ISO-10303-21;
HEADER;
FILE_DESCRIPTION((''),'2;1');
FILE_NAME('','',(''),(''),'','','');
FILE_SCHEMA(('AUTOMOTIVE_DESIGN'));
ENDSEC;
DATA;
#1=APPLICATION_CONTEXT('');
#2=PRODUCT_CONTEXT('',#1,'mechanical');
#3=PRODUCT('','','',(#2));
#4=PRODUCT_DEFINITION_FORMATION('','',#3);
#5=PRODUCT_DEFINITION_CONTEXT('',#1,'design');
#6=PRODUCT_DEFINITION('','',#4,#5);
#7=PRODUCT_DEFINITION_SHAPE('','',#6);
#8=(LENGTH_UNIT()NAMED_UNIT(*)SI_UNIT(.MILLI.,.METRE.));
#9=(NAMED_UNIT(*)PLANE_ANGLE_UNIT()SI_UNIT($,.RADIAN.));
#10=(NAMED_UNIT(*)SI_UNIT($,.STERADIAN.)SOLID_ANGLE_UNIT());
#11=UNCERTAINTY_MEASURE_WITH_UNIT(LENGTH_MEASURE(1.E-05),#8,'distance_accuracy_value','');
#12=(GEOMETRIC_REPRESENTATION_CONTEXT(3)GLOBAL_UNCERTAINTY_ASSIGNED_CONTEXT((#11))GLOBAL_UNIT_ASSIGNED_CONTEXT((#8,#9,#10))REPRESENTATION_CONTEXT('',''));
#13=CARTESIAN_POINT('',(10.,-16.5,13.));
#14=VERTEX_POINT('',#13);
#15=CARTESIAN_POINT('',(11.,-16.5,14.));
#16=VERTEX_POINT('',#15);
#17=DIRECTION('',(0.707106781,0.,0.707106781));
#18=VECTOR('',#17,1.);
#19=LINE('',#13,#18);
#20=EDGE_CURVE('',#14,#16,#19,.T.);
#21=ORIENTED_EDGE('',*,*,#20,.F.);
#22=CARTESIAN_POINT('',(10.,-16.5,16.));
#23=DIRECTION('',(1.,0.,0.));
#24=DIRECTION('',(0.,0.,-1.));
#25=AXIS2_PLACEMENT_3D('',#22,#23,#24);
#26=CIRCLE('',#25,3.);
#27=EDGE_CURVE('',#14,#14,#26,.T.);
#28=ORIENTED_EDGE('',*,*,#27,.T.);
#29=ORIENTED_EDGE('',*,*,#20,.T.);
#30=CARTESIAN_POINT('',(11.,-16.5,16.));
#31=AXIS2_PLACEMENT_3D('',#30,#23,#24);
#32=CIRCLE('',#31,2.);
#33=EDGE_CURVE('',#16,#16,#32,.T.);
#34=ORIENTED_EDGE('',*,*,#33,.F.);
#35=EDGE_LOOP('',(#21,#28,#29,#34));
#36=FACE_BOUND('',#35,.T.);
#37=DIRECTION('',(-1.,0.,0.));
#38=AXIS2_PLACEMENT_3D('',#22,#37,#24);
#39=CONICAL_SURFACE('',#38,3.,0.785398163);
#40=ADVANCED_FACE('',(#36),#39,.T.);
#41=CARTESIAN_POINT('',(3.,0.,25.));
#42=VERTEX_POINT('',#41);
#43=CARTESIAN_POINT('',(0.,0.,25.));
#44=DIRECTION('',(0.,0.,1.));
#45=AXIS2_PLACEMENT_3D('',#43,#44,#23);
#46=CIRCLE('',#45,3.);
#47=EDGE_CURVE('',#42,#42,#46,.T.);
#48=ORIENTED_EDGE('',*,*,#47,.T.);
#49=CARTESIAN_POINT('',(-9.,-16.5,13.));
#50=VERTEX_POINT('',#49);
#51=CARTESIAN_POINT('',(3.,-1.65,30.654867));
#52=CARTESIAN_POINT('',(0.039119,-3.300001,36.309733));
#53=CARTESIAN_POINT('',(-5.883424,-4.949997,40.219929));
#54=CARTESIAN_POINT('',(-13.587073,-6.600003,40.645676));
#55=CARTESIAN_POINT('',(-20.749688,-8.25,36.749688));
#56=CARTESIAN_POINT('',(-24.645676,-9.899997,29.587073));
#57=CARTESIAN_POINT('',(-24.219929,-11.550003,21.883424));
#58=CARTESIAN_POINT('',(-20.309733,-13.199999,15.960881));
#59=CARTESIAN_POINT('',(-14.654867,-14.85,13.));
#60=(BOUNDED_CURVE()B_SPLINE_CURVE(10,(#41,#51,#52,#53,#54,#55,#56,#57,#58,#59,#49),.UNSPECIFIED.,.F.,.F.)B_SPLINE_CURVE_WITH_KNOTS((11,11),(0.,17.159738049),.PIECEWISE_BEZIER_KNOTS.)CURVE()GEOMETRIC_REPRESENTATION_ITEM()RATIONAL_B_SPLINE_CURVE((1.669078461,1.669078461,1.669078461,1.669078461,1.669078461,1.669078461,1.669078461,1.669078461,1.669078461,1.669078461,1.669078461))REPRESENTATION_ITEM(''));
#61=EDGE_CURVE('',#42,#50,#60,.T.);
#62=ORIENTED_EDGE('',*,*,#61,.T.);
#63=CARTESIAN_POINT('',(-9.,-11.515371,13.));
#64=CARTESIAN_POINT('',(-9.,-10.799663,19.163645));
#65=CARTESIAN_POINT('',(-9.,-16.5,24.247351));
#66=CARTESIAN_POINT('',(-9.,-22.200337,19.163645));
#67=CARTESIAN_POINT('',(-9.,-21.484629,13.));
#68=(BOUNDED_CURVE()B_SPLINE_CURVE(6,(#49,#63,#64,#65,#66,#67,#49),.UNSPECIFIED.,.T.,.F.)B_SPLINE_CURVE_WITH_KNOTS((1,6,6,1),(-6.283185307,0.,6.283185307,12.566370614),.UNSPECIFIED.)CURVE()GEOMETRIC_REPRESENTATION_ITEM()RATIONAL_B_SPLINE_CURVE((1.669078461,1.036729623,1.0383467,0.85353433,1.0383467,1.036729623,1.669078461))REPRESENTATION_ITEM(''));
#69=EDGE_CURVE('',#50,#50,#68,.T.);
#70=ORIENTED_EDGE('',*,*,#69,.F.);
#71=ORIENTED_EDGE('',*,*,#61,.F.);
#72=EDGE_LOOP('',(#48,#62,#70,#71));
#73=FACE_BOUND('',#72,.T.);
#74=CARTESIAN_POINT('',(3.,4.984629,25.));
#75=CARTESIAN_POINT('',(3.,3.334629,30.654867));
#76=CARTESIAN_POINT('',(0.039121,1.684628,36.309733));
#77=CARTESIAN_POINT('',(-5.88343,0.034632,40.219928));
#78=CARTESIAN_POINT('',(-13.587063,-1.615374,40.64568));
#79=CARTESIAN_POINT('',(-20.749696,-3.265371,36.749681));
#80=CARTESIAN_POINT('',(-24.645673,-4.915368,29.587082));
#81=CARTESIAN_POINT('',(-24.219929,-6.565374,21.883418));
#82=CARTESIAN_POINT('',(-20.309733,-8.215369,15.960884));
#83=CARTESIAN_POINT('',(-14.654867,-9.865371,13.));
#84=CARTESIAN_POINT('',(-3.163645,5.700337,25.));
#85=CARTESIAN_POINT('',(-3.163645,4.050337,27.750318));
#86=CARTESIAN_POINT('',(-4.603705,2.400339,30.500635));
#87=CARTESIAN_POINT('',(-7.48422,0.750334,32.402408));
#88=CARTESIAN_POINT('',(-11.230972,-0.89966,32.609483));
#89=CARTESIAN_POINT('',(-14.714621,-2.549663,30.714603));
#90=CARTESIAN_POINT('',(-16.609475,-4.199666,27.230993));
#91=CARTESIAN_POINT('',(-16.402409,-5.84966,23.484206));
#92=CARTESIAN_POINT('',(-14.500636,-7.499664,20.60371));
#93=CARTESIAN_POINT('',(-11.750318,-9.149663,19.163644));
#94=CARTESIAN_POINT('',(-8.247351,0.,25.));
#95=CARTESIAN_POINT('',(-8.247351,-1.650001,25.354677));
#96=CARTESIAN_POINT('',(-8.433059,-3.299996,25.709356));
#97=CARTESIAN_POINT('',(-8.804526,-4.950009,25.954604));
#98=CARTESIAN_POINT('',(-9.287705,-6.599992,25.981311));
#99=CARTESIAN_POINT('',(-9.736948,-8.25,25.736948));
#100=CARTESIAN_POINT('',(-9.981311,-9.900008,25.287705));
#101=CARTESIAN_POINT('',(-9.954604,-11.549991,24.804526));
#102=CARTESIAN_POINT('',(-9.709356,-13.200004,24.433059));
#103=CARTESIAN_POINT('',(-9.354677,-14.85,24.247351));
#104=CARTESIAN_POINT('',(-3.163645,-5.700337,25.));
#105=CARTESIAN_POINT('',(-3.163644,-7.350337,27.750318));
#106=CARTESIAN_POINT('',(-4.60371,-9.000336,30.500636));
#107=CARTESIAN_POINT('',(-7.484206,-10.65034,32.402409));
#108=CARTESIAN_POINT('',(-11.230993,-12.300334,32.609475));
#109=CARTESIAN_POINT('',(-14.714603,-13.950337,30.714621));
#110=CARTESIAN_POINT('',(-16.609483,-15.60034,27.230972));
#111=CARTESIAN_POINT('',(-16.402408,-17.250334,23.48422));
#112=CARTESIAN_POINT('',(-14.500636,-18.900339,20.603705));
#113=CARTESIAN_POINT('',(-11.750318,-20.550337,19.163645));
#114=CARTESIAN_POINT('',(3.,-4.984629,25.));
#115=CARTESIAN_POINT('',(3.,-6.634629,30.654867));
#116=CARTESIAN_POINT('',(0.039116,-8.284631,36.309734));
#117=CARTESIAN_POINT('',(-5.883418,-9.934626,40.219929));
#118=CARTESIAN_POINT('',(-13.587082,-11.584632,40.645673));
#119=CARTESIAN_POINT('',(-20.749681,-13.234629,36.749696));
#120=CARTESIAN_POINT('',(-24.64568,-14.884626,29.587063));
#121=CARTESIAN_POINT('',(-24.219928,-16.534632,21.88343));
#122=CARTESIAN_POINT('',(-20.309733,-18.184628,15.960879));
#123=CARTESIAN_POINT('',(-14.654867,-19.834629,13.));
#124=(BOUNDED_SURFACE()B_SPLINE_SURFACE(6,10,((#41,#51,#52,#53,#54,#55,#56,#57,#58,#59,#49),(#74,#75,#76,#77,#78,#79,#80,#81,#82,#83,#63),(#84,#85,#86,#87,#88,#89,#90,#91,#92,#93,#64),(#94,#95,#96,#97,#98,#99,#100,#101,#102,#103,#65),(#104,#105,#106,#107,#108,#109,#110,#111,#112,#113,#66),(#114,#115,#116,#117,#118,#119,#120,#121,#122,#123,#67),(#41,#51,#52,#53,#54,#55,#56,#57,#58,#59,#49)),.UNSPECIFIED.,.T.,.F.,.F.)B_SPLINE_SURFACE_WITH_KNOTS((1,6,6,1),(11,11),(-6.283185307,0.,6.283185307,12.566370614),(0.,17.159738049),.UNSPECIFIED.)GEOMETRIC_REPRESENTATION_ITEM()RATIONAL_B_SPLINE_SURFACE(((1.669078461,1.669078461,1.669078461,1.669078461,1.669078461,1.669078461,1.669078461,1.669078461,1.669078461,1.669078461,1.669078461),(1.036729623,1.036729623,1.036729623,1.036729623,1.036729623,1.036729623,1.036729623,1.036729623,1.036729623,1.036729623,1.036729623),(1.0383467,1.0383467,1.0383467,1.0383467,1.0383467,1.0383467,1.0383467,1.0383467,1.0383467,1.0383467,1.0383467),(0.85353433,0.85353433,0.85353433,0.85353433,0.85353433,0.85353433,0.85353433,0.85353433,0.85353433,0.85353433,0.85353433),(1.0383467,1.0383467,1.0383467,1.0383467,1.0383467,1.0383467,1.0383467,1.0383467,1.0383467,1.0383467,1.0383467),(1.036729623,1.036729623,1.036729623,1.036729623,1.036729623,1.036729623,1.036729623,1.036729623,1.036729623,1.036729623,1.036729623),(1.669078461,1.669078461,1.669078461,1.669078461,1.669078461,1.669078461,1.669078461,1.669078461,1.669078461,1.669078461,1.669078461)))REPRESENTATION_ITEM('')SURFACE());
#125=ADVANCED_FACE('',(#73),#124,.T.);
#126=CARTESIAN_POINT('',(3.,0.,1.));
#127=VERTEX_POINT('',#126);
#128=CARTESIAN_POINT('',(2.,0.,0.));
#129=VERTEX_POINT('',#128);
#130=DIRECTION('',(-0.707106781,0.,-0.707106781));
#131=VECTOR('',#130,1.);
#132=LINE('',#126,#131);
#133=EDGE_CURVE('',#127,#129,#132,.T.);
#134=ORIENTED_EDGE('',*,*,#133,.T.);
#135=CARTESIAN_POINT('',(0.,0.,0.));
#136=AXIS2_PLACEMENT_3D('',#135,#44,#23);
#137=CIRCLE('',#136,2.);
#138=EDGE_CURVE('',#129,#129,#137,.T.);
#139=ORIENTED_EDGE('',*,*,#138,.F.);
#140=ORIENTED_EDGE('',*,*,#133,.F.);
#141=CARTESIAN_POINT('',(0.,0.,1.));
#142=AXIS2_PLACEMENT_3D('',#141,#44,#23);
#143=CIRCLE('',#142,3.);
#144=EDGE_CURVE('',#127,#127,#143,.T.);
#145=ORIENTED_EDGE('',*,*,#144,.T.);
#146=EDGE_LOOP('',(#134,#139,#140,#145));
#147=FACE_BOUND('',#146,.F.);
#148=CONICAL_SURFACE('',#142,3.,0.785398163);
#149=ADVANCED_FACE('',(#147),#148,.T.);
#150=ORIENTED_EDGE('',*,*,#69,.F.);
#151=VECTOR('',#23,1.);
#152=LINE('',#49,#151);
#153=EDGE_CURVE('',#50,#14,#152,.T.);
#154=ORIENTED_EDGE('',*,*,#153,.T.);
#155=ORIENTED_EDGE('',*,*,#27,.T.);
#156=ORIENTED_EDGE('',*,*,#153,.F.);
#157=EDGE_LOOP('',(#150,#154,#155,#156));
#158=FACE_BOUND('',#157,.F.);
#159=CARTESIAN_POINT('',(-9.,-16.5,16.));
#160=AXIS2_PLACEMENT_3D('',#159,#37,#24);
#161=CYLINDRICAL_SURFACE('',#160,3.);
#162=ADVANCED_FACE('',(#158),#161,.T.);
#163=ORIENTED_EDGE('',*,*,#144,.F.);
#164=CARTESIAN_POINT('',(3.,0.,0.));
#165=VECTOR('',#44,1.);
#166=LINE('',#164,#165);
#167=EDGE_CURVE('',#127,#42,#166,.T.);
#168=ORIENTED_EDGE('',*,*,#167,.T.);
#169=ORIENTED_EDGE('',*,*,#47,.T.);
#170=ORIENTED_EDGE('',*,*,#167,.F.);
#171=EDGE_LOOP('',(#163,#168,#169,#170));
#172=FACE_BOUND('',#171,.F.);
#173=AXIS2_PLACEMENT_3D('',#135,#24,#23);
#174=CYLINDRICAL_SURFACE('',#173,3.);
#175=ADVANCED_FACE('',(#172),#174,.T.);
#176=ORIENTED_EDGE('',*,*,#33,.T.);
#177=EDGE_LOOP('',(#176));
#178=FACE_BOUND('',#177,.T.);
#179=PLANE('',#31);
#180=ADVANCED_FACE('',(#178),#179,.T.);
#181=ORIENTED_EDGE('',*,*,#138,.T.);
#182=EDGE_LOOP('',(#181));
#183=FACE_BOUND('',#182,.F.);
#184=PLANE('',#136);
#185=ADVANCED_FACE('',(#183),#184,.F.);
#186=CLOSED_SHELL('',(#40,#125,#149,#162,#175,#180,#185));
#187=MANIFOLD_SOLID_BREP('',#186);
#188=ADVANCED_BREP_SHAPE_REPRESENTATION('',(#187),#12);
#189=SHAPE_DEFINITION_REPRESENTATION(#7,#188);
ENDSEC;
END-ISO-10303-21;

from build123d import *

# Parameters (mm, degrees)
SKIZZE1_R                       = 3
AUFSATZ_LINEAR_AUSTRAGEN1_DEPTH = 25
AUSTRAGUNG1_PITCH               = 22
AUSTRAGUNG1_HEIGHT              = 16.5
AUSTRAGUNG1_RADIUS              = 9
AUSTRAGUNG1_START_ANGLE         = 90
SKIZZE3_R                       = 3
SKIZZE4_R                       = 3
AUFSATZ_LINEAR_AUSTRAGEN2_DEPTH = 20
FASE1_SIZE                      = 1


with BuildPart() as part:
    # Skizze1 → Aufsatz-Linear austragen1 (new body)
    with BuildSketch(Plane.XY):
        Circle(SKIZZE1_R)
    extrude(amount=AUFSATZ_LINEAR_AUSTRAGEN1_DEPTH)

    # Austragung1: sweep along a helix
    with BuildLine() as austragung1_path:
        add(Helix(AUSTRAGUNG1_PITCH, AUSTRAGUNG1_HEIGHT, AUSTRAGUNG1_RADIUS, center=(-9, 0, 25), direction=(0, -1, 0), mode=Mode.PRIVATE).rotate(Axis((-9, 0, 25), (0, -1, 0)), AUSTRAGUNG1_START_ANGLE))
    # Skizze3 → Austragung1 (sweep)
    with BuildSketch(Plane.XY.offset(25)):
        Circle(SKIZZE3_R)
    sweep(path=austragung1_path.line, is_frenet=True)

    # Skizze4 → Aufsatz-Linear austragen2 (add)
    with BuildSketch(Plane(origin=(-9, 0, 0), x_dir=(0, 0, -1), z_dir=(1, 0, 0))):
        with Locations((-16, -16.5)):
            Circle(SKIZZE4_R)
    extrude(amount=AUFSATZ_LINEAR_AUSTRAGEN2_DEPTH)

    # Fase1
    fase1_edges = [part.edges().sort_by_distance(p)[0] for p in [
        (11, -16.5, 19),
        (-3, 0, 0),
    ]]
    chamfer(fase1_edges, length=FASE1_SIZE)


solid = part.part
